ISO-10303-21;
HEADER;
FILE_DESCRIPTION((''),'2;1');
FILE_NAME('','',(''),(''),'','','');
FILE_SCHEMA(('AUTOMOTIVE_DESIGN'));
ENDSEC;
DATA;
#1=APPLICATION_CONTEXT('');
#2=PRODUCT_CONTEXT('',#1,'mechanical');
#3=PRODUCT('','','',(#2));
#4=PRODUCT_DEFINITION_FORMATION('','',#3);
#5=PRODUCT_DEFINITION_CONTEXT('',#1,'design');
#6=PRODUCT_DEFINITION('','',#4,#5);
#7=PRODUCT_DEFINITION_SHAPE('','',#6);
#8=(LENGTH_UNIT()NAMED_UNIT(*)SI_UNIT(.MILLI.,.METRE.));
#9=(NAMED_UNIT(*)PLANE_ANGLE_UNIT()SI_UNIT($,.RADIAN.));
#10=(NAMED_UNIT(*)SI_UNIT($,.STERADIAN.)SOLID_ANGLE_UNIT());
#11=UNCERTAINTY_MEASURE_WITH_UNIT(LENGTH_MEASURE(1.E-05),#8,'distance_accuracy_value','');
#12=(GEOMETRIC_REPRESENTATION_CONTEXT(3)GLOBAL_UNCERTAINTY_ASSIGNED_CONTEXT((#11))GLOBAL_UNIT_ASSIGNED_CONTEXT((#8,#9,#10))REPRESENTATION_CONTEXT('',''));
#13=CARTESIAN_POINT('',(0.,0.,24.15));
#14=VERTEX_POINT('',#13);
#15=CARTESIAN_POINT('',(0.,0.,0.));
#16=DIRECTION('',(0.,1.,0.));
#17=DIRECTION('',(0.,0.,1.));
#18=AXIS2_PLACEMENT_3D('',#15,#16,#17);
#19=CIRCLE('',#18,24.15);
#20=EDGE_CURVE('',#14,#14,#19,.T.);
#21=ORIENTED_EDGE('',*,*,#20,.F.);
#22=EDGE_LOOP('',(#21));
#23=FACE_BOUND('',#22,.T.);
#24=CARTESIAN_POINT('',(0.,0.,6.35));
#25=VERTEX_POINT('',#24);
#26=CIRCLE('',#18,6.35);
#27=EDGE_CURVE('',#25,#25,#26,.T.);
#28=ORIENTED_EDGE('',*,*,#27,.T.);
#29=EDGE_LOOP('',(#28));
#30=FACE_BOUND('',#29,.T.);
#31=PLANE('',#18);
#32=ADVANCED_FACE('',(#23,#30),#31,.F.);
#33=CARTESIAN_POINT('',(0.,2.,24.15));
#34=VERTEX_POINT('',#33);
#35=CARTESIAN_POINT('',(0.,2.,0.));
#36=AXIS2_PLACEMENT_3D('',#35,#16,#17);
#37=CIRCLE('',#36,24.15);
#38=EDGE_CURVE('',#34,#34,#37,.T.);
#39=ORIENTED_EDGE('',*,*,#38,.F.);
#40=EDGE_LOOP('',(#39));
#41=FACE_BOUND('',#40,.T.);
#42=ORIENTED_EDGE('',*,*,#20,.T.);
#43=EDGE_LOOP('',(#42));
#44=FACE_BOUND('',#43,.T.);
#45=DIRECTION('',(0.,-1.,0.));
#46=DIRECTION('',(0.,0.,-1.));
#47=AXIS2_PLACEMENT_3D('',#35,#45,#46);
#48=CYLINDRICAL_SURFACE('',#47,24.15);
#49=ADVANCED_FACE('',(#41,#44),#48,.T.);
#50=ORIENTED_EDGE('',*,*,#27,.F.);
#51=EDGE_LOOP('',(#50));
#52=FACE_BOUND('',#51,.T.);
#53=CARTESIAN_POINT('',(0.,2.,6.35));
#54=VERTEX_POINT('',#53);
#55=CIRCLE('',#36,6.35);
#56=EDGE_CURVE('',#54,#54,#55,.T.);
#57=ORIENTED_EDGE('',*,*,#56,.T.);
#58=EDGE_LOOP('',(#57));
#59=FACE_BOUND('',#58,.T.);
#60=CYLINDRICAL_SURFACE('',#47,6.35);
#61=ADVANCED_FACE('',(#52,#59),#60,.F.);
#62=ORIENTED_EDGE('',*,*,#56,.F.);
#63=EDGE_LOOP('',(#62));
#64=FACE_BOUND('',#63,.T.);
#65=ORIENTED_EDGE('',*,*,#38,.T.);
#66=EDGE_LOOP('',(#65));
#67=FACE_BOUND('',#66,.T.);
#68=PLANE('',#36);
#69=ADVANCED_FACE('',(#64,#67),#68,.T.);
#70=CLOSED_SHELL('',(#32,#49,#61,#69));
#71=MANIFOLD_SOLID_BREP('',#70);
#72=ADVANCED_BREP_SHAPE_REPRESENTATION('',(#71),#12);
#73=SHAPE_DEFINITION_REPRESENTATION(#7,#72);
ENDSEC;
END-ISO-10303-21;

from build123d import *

# Parameters (mm, degrees)
SKETCH1_R           = 24.15
SKETCH1_R_2         = 6.35
BOSS_EXTRUDE1_DEPTH = 2


with BuildPart() as part:
    # Sketch1 → Boss-Extrude1 (new body)
    with BuildSketch(Plane(origin=(0, 0, 0), x_dir=(1, 0, 0), z_dir=(0, 1, 0))):
        with Locations(Location((0, 0, 0), (0, 0, 270))):
            Circle(SKETCH1_R)
        with Locations(Location((0, 0, 0), (0, 0, 270))):
            Circle(SKETCH1_R_2, mode=Mode.SUBTRACT)
    extrude(amount=BOSS_EXTRUDE1_DEPTH)


solid = part.part
